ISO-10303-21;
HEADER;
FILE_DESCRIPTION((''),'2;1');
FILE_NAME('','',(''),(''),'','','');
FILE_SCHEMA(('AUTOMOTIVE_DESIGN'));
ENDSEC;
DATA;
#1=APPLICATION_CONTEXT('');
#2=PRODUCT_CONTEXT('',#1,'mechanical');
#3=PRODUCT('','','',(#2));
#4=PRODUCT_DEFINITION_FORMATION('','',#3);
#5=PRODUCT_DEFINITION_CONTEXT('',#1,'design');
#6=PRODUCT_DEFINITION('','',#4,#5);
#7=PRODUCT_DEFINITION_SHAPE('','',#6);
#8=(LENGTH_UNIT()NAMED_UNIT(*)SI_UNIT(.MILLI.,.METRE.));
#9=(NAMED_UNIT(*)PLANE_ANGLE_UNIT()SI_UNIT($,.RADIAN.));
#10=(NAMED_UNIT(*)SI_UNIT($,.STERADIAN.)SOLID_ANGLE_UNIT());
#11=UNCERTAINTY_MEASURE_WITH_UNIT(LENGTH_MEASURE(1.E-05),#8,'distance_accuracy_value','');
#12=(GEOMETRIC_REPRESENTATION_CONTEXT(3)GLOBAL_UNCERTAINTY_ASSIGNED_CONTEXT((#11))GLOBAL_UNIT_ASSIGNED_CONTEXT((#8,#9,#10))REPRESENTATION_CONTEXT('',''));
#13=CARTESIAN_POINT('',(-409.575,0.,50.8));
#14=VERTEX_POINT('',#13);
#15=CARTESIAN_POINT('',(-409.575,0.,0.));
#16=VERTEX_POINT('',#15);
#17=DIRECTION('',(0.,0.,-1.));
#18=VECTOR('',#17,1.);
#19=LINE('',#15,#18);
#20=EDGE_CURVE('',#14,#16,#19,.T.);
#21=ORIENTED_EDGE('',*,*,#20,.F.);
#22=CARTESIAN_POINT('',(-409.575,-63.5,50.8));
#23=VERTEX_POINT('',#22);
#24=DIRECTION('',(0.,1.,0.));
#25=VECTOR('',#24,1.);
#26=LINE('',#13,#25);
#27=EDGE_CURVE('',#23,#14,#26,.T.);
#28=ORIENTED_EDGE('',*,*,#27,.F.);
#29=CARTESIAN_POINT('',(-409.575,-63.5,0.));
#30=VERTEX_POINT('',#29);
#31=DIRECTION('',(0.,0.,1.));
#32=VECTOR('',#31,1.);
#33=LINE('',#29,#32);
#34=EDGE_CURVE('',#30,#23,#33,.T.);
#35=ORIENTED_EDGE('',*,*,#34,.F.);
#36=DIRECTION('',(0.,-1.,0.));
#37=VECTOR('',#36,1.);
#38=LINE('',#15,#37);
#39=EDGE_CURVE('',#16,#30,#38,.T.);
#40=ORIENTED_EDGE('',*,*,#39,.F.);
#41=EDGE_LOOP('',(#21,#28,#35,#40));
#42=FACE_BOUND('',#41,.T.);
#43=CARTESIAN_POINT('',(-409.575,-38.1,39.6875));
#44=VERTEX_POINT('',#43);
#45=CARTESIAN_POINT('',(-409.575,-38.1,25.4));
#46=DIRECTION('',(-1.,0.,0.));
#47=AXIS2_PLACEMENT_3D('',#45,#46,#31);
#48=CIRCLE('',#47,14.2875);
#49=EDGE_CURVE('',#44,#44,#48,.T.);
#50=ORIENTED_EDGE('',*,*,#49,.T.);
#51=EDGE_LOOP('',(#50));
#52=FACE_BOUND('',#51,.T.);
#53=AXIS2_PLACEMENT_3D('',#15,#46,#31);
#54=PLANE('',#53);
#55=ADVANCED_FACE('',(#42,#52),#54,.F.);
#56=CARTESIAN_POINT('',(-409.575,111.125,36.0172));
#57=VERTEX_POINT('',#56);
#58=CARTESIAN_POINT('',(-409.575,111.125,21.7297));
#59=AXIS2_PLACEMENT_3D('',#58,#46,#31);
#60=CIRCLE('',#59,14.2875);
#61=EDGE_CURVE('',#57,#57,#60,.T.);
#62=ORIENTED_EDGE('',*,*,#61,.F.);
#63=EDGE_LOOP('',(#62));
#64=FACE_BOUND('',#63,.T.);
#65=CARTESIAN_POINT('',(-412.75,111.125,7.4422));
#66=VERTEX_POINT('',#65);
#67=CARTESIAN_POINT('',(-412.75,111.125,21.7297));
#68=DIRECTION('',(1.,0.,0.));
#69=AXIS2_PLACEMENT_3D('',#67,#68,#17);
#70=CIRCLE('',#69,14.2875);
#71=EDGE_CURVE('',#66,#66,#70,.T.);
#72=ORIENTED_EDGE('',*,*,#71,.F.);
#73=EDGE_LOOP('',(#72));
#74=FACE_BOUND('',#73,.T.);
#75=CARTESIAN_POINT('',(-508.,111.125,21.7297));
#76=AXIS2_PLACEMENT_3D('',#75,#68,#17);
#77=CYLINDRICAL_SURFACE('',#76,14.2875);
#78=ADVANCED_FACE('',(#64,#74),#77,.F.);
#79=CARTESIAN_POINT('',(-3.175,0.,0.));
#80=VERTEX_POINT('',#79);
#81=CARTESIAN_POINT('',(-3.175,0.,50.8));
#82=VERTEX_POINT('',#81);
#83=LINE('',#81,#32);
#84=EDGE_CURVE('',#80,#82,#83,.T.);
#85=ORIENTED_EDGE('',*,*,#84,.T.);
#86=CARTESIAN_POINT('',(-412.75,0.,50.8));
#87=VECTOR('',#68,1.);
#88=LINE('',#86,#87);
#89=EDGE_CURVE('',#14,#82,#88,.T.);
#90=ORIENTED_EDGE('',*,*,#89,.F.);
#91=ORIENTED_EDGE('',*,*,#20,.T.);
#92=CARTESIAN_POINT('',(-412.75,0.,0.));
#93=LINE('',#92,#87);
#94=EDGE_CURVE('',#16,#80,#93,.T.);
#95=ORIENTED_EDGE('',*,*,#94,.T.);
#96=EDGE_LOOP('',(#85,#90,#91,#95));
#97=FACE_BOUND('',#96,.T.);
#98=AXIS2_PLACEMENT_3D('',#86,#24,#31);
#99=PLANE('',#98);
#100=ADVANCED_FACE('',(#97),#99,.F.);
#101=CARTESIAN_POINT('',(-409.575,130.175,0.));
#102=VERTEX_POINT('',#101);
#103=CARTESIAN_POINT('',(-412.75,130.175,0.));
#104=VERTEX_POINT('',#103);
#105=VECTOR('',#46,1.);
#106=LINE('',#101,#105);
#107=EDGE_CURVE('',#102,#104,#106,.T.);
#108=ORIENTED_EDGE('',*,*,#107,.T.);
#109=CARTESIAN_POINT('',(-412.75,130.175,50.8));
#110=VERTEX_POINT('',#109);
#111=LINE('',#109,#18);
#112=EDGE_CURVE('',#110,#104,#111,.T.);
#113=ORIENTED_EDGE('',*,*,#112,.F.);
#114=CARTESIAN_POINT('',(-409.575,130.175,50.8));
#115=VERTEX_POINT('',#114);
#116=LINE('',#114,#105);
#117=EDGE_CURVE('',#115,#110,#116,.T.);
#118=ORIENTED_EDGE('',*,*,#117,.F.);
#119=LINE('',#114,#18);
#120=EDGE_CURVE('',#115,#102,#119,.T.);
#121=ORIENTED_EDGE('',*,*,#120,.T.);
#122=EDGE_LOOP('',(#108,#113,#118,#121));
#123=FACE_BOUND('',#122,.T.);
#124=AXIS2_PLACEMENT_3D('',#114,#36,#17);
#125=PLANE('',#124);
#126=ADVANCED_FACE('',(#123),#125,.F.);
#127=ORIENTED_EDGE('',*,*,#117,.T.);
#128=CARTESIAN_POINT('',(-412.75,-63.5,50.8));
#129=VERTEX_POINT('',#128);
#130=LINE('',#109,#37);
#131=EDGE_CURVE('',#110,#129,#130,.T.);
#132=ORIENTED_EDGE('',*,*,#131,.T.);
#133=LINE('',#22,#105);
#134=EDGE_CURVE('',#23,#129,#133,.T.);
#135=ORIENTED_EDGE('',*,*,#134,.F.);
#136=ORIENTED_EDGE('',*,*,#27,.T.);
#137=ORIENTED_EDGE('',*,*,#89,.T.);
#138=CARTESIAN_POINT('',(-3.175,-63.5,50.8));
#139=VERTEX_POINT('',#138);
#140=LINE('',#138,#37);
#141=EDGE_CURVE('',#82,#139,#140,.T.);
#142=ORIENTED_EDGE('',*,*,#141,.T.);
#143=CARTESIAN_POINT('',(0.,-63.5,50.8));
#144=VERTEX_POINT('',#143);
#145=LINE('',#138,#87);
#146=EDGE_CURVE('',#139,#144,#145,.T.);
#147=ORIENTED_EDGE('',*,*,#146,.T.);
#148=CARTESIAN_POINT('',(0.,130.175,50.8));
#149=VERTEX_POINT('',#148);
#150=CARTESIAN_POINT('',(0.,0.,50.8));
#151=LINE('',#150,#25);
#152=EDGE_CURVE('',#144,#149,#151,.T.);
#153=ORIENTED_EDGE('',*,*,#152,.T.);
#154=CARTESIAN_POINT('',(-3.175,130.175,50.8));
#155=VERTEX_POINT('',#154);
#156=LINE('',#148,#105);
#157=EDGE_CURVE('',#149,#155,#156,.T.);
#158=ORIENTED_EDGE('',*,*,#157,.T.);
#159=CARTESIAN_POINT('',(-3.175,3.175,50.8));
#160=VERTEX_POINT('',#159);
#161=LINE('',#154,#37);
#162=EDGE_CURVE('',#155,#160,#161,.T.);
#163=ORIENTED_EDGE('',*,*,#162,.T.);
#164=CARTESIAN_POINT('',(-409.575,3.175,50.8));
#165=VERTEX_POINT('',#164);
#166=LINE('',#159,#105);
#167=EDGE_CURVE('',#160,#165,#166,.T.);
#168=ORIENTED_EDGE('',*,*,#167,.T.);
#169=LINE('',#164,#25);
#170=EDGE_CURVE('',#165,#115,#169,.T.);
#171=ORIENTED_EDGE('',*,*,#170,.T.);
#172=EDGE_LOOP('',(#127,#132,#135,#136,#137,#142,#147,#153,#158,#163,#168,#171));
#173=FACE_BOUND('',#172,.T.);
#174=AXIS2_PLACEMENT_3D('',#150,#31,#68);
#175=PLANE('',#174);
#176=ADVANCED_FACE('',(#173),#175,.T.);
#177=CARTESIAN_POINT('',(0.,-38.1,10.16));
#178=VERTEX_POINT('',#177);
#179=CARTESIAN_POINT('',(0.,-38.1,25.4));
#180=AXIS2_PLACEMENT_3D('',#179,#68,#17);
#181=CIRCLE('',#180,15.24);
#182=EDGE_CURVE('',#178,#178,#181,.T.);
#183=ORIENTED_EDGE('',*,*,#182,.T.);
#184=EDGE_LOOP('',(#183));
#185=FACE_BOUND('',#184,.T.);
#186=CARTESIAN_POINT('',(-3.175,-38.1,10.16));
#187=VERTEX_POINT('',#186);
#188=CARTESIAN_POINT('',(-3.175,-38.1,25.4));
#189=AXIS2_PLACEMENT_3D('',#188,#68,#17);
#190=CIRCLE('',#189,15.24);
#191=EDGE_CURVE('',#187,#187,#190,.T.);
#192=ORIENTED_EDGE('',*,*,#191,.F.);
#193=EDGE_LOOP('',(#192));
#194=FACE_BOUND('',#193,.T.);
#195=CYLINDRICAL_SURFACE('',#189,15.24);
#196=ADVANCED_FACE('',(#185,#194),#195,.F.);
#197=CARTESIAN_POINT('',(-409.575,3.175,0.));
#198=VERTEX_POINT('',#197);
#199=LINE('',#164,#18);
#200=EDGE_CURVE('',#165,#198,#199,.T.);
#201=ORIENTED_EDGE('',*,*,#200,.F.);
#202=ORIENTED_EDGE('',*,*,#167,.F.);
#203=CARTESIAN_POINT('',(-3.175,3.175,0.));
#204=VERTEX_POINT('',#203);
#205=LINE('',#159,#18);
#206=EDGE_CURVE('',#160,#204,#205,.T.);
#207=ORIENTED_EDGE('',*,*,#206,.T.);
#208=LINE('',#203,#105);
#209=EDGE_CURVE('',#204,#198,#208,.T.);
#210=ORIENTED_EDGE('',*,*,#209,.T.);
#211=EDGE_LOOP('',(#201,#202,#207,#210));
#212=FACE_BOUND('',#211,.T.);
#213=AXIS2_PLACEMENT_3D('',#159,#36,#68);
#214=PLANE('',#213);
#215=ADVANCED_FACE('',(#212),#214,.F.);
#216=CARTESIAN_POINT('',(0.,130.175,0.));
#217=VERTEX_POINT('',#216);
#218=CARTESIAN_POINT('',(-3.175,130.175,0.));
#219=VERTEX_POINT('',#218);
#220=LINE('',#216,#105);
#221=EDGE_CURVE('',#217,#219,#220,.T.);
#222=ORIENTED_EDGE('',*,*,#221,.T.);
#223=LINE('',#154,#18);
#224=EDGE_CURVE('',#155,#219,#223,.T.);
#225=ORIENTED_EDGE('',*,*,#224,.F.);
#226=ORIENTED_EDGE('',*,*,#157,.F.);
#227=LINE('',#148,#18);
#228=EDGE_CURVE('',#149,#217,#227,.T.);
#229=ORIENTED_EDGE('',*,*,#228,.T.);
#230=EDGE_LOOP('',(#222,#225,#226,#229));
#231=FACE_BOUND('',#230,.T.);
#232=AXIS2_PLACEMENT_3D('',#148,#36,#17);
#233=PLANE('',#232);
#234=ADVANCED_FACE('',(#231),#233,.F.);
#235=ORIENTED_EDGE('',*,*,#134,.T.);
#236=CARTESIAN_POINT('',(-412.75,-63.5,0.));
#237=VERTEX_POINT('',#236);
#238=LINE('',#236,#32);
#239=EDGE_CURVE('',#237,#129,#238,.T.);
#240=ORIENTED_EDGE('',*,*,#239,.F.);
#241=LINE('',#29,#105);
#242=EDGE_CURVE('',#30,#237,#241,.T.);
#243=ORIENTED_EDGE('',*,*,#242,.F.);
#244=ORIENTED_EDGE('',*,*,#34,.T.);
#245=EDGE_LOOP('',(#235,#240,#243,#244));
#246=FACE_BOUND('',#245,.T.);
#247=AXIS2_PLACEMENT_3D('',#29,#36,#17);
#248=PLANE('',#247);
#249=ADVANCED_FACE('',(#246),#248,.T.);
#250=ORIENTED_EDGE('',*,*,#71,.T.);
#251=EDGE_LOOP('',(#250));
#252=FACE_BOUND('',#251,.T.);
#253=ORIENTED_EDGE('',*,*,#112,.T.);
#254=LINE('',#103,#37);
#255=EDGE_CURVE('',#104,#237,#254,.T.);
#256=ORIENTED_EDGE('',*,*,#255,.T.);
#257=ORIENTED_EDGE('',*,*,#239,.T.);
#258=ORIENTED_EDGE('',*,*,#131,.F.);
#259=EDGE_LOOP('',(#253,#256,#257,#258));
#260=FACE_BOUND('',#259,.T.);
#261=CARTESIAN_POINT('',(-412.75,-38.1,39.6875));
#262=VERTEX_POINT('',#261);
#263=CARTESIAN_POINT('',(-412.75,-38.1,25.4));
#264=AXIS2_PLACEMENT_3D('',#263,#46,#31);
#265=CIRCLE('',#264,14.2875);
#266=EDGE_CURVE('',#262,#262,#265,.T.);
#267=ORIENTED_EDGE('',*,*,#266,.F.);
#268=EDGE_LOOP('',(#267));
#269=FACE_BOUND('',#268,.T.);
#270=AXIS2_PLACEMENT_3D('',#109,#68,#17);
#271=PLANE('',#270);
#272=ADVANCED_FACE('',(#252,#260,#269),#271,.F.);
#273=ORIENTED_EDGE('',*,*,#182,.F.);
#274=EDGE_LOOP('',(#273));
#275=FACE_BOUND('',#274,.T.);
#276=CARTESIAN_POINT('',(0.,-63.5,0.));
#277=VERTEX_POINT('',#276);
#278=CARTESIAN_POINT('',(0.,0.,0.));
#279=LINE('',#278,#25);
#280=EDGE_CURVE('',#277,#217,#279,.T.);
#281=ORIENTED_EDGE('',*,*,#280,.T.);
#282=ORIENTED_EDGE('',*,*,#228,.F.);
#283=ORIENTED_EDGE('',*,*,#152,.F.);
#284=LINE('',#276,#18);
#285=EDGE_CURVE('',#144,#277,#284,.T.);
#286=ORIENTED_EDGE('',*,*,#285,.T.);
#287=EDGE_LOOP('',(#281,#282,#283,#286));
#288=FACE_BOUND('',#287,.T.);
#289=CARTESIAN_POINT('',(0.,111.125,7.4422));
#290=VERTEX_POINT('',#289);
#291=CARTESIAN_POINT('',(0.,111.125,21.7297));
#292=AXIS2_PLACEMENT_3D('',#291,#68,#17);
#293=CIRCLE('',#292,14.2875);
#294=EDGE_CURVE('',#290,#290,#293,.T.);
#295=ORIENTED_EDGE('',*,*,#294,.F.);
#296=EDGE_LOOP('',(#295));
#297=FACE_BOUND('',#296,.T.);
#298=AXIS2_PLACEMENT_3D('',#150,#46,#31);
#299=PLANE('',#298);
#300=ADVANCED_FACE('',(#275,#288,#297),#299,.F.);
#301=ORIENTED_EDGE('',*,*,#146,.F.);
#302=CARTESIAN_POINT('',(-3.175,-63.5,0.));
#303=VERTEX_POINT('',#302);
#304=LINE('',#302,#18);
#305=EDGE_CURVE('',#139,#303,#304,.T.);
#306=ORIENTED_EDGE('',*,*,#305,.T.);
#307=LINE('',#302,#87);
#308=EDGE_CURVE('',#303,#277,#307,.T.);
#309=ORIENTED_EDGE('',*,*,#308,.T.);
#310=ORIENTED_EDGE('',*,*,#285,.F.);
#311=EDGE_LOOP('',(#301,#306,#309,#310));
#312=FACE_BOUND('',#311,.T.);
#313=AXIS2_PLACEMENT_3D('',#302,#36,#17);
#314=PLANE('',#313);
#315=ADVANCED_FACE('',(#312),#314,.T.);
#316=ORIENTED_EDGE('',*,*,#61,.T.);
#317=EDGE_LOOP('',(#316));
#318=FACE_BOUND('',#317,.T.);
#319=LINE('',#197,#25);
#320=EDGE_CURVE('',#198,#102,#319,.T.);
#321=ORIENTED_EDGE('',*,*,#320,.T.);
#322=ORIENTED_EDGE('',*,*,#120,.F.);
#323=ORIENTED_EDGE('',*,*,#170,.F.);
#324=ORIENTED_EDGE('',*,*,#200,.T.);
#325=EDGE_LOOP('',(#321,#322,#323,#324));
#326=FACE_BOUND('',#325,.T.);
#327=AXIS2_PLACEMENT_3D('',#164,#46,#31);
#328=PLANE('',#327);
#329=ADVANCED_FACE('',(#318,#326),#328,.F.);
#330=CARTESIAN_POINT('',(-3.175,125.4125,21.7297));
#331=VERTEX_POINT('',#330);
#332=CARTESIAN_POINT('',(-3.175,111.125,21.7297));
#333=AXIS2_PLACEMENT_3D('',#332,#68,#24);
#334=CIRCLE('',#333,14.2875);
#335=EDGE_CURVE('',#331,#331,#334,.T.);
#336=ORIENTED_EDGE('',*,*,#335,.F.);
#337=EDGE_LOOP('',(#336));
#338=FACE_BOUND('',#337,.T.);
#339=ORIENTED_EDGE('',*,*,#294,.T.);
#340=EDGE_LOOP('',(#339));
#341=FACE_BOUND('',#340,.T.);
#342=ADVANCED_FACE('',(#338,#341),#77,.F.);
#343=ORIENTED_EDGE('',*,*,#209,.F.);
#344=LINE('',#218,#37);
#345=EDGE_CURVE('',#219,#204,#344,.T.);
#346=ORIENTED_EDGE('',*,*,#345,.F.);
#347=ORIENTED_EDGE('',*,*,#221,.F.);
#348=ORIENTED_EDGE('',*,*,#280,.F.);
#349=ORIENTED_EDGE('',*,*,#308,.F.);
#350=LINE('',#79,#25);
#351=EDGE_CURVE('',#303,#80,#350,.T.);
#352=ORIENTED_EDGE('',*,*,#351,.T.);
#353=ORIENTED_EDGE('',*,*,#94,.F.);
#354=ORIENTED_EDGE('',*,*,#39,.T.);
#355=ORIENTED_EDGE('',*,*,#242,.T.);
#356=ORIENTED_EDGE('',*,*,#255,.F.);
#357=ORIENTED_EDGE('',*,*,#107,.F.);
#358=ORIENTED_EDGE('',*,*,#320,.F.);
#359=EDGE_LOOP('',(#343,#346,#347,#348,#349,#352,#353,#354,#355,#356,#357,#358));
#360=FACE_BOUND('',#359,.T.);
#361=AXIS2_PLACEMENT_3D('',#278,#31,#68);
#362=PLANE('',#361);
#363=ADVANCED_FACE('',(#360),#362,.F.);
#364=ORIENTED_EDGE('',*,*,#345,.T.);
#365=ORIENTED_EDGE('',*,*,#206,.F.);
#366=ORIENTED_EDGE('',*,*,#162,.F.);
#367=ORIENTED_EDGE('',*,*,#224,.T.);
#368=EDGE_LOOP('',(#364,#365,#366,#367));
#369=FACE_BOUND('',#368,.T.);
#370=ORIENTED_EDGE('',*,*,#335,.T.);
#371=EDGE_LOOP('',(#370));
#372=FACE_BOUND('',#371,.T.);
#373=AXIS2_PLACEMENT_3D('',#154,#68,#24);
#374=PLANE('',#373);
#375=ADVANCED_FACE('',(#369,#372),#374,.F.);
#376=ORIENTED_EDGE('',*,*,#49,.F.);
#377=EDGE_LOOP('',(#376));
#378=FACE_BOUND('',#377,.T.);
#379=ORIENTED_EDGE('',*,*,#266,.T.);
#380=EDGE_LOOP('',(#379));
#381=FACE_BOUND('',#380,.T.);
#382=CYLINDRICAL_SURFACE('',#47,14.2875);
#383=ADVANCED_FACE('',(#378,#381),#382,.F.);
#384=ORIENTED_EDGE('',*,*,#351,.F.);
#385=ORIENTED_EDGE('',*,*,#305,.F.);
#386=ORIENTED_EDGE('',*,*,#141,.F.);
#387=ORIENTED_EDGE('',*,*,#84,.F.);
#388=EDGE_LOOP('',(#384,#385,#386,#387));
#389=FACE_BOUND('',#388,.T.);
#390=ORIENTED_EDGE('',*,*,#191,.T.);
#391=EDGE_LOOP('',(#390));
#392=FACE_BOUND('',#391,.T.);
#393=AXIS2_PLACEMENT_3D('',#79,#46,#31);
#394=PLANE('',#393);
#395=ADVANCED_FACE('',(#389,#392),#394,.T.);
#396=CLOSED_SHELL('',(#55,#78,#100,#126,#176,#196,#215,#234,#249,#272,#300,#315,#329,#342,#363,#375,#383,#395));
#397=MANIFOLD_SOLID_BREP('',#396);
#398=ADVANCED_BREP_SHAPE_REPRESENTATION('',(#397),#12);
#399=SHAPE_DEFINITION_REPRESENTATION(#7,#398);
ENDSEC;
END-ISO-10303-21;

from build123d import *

# Parameters (mm, degrees)
BOSS_EXTRUDE1_DEPTH = 50.8
SKETCH3_W           = 50.8
SKETCH3_H           = 63.5
SKETCH3_R           = 14.2875
BOSS_EXTRUDE2_DEPTH = 3.175
SKETCH4_W           = 50.8
SKETCH4_H           = 63.5
SKETCH4_R           = 15.24
BOSS_EXTRUDE3_DEPTH = 3.175
SKETCH5_R           = 14.2875
CUT_EXTRUDE1_DEPTH  = 508


with BuildPart() as part:
    # Sketch2 → Boss-Extrude1 (new body)
    with BuildSketch(Plane.XY):
        Polygon((0, 0), (0, 130.175), (-3.175, 130.175), (-3.175, 3.175), (-409.575, 3.175), (-409.575, 130.175), (-412.75, 130.175), (-412.75, 0), align=None)
    extrude(amount=BOSS_EXTRUDE1_DEPTH)

    # Sketch3 → Boss-Extrude2 (add)
    with BuildSketch(Plane.ZY.offset(412.75)):
        with Locations((25.4, -31.75)):
            Rectangle(SKETCH3_W, SKETCH3_H)
        with Locations((25.4, -38.1)):
            Circle(SKETCH3_R, mode=Mode.SUBTRACT)
    extrude(amount=-BOSS_EXTRUDE2_DEPTH)

    # Sketch4 → Boss-Extrude3 (add)
    with BuildSketch(Plane(origin=(0, 0, 0), x_dir=(0, 0, -1), z_dir=(1, 0, 0))):
        with Locations((-25.4, -31.75)):
            Rectangle(SKETCH4_W, SKETCH4_H)
        with Locations((-25.4, -38.1)):
            Circle(SKETCH4_R, mode=Mode.SUBTRACT)
    extrude(amount=-BOSS_EXTRUDE3_DEPTH)

    # Sketch5 → Cut-Extrude1 (cut)
    with BuildSketch(Plane(origin=(0, 0, 0), x_dir=(0, 0, -1), z_dir=(1, 0, 0))):
        with Locations((-21.7297, 111.125)):
            Circle(SKETCH5_R)
    extrude(amount=-CUT_EXTRUDE1_DEPTH, mode=Mode.SUBTRACT)


solid = part.part
